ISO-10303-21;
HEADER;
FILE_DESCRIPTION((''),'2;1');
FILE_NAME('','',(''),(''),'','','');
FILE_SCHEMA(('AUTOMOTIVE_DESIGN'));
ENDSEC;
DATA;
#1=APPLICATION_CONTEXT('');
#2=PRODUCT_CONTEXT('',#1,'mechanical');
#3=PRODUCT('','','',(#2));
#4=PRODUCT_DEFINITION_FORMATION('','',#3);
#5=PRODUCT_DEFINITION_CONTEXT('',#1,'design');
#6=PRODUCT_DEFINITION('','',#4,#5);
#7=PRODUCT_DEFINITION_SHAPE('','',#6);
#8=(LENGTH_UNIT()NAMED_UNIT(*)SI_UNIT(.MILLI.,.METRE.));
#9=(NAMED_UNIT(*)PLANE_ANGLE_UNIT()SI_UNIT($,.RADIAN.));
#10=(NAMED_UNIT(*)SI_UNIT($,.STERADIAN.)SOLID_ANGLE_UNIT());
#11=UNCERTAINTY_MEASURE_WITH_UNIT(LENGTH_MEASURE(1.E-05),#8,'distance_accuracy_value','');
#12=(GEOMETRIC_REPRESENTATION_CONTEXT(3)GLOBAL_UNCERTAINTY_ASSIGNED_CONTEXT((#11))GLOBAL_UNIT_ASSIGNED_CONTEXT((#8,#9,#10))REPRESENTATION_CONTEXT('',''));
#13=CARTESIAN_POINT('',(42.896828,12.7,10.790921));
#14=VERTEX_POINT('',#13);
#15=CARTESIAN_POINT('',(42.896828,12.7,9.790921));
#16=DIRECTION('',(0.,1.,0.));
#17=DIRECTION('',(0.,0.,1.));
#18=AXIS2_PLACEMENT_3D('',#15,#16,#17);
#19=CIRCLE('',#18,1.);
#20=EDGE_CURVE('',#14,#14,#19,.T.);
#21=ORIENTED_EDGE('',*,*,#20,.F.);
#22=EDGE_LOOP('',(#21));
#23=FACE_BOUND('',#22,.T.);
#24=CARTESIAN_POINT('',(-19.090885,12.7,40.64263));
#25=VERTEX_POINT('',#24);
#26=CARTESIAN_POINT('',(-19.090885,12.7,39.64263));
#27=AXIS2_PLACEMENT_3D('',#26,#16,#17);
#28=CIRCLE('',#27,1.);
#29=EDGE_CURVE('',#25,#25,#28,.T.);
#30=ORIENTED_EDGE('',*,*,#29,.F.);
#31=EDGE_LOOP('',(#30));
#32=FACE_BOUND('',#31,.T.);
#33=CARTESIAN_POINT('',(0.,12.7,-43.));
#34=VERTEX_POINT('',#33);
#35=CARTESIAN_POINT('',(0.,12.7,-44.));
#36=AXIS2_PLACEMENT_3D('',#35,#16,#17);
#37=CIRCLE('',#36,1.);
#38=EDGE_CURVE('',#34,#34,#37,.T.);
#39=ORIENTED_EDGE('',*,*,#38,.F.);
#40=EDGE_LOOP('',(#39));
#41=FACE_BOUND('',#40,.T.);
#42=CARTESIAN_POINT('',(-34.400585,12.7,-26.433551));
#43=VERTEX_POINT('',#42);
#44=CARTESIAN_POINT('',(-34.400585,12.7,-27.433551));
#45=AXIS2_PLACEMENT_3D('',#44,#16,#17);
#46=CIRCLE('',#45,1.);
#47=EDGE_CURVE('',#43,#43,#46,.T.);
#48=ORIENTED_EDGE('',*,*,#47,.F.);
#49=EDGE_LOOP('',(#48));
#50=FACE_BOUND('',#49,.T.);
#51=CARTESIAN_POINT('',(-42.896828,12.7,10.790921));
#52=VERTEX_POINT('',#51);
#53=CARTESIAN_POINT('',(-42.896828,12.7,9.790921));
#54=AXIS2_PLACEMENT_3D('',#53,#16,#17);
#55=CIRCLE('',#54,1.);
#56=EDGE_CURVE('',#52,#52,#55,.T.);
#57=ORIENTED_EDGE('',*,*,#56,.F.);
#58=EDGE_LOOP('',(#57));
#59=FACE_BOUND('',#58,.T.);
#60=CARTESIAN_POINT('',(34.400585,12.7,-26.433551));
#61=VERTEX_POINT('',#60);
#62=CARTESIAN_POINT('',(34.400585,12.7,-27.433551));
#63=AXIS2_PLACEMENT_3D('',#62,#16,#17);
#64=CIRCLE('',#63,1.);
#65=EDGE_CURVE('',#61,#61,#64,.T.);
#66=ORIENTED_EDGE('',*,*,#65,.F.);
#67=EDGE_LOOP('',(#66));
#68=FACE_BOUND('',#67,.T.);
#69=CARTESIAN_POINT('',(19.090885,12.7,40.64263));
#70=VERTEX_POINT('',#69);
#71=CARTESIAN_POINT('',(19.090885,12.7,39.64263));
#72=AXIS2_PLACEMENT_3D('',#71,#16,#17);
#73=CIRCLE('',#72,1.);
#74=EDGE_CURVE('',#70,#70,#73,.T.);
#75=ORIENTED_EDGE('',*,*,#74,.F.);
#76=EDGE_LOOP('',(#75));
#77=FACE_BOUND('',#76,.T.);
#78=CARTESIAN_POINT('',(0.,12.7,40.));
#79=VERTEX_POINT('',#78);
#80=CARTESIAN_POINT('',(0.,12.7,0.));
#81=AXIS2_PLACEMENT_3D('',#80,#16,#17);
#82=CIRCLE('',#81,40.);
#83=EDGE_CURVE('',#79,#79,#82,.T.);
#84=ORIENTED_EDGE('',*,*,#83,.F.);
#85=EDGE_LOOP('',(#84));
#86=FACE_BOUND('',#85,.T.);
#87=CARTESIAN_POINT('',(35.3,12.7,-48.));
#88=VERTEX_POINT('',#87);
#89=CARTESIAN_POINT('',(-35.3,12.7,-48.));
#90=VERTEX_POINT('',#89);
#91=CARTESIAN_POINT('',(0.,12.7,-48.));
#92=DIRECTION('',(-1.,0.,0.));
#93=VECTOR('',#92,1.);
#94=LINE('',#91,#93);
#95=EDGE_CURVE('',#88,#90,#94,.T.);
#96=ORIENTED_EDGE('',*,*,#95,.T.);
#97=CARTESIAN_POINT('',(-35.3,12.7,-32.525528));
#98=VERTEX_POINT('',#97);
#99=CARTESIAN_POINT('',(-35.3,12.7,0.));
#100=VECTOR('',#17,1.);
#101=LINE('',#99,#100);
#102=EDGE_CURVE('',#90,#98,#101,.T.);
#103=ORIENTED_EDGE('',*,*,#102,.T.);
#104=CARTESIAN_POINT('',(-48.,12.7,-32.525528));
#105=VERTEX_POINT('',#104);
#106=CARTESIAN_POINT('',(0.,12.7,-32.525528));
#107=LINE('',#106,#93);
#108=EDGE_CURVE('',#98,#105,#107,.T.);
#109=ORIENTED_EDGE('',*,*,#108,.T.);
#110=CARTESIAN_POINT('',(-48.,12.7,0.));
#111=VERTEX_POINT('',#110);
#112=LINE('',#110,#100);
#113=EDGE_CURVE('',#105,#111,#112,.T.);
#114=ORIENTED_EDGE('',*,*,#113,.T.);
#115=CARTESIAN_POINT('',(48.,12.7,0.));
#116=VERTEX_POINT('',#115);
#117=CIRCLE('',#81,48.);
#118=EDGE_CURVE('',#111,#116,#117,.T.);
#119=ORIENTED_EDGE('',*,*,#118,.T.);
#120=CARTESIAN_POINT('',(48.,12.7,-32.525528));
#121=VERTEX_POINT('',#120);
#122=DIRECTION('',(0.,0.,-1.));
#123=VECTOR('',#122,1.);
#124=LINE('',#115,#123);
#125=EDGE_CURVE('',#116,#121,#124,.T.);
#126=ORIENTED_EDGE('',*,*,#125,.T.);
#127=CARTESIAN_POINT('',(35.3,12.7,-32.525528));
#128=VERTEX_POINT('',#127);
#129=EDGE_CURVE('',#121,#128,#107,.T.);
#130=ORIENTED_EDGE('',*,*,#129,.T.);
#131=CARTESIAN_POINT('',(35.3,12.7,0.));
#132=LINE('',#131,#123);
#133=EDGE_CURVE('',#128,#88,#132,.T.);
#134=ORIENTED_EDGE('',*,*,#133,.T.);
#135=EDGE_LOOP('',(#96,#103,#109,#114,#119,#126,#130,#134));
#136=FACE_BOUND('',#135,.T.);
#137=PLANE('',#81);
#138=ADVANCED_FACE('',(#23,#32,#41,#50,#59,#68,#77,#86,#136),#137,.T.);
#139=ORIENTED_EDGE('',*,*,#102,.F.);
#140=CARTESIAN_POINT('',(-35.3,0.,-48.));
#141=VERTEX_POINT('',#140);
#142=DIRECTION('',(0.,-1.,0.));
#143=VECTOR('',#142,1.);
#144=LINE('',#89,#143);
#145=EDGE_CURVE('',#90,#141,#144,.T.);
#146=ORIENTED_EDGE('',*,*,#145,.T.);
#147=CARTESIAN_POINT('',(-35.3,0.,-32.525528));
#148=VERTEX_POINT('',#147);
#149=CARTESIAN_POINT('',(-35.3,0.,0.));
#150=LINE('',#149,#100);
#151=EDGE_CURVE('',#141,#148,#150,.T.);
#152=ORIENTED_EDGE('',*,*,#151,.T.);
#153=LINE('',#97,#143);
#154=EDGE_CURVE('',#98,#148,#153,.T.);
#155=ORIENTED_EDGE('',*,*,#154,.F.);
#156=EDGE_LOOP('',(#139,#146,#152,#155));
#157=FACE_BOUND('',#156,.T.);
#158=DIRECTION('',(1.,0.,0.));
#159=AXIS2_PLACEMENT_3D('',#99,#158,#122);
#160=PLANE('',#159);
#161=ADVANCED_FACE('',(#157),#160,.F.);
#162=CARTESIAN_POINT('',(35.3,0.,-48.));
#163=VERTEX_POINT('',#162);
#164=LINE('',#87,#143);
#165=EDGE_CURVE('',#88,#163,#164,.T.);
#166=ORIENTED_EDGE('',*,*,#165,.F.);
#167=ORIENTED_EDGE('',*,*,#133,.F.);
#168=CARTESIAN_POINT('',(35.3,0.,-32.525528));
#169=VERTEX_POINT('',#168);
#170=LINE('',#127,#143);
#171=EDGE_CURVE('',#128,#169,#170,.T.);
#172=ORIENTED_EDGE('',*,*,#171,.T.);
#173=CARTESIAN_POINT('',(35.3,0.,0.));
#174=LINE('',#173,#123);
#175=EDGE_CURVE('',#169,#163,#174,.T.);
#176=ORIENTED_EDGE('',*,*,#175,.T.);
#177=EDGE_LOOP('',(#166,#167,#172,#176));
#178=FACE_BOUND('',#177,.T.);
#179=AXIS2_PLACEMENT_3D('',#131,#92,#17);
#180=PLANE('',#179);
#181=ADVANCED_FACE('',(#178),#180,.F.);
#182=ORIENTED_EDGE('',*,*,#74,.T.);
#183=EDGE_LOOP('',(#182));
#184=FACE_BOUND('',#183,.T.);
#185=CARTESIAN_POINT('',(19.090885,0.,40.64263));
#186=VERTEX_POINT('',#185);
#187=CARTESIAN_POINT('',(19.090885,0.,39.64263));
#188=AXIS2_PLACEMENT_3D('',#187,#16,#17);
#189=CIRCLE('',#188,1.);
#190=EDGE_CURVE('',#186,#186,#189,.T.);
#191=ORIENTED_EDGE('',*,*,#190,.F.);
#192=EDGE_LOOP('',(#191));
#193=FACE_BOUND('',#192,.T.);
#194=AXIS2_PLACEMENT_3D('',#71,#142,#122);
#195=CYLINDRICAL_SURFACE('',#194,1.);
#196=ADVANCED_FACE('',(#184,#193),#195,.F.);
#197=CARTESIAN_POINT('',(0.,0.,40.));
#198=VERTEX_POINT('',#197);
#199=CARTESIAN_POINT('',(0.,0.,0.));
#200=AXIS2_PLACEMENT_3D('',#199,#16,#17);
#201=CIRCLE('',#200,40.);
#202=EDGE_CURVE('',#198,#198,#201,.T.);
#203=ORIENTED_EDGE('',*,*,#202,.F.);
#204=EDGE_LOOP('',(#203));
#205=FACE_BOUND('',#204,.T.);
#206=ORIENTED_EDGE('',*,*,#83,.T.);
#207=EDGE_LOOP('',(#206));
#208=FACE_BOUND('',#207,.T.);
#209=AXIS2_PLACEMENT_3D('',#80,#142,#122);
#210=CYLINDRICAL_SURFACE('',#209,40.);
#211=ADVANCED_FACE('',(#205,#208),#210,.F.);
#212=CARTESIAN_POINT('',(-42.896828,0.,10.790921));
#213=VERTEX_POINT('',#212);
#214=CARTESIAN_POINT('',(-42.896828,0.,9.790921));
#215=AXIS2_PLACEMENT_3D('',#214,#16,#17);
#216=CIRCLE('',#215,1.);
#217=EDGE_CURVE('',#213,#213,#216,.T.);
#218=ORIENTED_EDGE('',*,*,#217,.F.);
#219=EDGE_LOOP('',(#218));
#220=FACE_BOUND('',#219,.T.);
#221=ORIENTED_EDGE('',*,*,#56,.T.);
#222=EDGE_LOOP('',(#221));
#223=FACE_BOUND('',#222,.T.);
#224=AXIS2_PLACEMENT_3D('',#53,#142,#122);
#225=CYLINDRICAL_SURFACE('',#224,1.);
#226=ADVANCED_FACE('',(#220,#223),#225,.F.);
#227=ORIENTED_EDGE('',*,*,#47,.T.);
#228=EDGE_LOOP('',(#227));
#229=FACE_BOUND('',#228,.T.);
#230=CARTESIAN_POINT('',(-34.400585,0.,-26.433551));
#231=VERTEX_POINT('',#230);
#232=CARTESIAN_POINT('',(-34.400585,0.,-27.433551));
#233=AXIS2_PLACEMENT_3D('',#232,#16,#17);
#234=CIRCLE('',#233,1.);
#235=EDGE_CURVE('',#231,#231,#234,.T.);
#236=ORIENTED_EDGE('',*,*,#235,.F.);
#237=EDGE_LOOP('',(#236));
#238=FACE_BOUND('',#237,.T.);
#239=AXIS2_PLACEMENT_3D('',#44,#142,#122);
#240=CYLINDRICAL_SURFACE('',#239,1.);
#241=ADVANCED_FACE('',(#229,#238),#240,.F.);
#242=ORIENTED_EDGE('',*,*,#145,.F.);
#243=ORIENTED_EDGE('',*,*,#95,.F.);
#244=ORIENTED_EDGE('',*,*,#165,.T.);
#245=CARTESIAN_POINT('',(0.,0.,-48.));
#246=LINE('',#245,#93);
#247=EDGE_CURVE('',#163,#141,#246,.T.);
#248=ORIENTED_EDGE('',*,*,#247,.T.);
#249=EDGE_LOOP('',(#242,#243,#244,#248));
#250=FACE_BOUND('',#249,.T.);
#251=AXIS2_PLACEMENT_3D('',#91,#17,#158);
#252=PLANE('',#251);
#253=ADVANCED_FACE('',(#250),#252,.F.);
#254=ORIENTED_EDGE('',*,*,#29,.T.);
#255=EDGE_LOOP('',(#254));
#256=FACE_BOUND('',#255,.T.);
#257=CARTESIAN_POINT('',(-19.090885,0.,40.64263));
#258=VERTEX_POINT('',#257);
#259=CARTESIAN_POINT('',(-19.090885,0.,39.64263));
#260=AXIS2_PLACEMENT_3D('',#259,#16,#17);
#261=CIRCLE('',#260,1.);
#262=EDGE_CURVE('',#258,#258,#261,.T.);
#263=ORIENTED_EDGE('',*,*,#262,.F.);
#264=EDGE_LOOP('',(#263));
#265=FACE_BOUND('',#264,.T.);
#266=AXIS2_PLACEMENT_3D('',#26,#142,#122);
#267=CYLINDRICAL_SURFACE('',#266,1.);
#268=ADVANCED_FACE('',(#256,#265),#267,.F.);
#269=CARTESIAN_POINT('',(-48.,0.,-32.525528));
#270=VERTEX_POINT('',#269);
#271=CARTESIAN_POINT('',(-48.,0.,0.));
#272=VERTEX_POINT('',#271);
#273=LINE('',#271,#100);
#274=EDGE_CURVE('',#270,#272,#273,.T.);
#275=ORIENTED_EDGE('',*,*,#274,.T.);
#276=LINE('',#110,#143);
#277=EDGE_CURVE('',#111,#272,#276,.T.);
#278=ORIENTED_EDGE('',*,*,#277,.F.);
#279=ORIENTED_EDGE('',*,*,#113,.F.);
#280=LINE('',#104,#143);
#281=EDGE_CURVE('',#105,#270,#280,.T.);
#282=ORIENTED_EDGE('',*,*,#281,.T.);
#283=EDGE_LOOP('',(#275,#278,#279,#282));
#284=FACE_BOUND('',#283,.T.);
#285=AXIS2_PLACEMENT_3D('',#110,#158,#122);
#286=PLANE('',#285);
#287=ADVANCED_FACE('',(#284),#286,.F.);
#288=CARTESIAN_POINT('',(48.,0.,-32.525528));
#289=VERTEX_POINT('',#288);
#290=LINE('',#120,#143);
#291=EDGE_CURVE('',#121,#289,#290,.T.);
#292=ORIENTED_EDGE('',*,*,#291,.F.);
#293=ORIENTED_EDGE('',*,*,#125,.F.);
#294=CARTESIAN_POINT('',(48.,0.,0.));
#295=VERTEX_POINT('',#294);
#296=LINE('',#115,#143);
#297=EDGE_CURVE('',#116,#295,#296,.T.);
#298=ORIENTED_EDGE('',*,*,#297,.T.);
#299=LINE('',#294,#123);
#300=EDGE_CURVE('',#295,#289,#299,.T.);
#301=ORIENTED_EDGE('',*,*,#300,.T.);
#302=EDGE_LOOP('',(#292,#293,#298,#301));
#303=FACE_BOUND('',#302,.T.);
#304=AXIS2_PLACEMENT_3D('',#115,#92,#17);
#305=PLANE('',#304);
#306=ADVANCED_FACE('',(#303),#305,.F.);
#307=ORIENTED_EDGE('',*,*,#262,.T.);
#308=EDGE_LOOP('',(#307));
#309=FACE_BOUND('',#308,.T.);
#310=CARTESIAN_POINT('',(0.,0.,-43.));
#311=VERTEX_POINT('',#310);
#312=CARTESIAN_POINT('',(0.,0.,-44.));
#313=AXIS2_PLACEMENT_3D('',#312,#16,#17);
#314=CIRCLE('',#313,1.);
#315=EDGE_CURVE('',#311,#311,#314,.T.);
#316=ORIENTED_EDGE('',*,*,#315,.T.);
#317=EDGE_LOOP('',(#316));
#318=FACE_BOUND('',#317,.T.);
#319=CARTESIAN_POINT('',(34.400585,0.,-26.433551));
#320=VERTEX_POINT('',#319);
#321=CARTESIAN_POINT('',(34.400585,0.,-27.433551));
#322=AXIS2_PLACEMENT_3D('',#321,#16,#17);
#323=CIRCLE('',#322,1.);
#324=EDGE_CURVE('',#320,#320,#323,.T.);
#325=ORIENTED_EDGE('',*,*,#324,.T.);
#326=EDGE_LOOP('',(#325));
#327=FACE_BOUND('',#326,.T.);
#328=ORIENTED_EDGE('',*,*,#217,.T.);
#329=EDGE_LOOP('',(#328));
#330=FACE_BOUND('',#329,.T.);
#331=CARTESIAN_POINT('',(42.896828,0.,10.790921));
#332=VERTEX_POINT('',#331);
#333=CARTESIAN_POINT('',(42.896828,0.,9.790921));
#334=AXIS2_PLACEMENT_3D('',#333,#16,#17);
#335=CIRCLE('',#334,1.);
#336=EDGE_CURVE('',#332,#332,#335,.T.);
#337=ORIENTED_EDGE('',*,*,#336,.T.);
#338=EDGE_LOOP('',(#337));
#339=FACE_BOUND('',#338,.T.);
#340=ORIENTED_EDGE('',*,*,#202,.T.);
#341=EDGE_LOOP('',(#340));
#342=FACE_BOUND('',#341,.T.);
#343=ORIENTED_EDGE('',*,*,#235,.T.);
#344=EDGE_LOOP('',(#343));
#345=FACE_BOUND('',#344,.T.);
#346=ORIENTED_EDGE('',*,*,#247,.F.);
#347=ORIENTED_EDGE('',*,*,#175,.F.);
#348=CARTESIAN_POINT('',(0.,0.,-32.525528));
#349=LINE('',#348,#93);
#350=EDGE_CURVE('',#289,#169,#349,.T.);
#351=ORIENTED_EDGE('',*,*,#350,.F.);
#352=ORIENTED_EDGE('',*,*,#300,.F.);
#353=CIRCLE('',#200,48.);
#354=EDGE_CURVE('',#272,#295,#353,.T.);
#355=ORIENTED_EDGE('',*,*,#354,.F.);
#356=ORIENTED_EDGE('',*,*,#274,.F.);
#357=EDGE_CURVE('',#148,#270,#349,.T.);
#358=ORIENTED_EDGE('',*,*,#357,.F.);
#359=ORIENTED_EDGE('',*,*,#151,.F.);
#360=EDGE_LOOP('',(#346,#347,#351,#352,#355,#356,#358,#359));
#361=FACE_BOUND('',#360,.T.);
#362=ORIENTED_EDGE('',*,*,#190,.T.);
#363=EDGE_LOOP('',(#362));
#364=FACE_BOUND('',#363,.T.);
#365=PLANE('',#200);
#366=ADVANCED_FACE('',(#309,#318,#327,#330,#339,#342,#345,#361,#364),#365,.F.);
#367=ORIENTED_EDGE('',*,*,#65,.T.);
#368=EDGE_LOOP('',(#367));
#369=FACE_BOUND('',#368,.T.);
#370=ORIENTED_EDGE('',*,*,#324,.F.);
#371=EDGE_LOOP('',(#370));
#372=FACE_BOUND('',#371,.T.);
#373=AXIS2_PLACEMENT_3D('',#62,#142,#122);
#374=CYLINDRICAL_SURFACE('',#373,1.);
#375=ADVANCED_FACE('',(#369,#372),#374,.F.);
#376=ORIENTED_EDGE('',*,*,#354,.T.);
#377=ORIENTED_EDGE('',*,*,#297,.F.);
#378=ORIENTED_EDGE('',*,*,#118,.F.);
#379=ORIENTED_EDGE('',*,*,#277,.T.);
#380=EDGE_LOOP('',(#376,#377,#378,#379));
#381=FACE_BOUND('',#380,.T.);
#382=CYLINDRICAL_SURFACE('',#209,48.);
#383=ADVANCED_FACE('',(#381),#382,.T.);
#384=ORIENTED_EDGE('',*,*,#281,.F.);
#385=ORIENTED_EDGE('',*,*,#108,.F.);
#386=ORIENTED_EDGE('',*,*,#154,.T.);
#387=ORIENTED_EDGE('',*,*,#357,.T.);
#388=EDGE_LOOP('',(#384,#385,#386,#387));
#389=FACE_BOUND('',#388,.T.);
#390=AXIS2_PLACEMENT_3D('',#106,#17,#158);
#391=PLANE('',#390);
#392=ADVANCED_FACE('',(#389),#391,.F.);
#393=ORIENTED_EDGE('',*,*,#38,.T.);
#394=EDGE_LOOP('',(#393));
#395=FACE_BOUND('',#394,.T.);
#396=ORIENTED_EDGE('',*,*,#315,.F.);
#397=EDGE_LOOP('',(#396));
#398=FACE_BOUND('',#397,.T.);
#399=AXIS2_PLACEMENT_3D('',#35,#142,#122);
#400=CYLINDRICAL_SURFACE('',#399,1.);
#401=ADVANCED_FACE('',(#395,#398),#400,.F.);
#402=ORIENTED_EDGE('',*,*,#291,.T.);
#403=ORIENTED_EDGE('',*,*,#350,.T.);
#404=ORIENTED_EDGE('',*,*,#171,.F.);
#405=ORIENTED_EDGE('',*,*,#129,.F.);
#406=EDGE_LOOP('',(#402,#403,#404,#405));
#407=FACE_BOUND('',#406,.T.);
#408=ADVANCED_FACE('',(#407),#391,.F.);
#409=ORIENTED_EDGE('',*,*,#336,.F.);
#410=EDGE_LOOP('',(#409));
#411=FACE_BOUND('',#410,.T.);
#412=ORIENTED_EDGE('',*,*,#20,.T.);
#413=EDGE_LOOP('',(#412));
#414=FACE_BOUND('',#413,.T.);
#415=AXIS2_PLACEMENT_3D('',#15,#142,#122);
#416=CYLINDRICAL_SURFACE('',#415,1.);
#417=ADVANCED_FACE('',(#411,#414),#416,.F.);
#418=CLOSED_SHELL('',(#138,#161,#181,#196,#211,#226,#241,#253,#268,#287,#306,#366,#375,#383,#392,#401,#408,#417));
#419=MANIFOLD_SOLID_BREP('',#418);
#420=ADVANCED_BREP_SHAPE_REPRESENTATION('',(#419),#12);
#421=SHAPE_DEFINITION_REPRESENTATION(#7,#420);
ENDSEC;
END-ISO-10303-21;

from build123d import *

# Parameters (mm, degrees)
SKETCH1_R           = 40
SKETCH1_R_2         = 1
BOSS_EXTRUDE1_DEPTH = 12.7


with BuildPart() as part:
    # Sketch1 → Boss-Extrude1 (new body)
    with BuildSketch(Plane(origin=(0, 0, 0), x_dir=(1, 0, 0), z_dir=(0, 1, 0))):
        with BuildLine():
            Line((-35.3, 48), (-35.3, 32.525528435))
            Line((-35.3, 32.525528435), (-48, 32.525528435))
            Line((-48, 32.525528435), (-48, 0))
            ThreePointArc((-48, 0), (0, -48), (48, 0))
            Line((48, 0), (48, 32.525528435))
            Line((48, 32.525528435), (35.3, 32.525528435))
            Line((35.3, 32.525528435), (35.3, 48))
            Line((35.3, 48), (-35.3, 48))
        make_face()
        Circle(SKETCH1_R, mode=Mode.SUBTRACT)
        with Locations((34.400585229, 27.433551282)):
            Circle(SKETCH1_R_2, mode=Mode.SUBTRACT)
        with Locations((-34.400585229, 27.433551282)):
            Circle(SKETCH1_R_2, mode=Mode.SUBTRACT)
        with Locations((0, 44)):
            Circle(SKETCH1_R_2, mode=Mode.SUBTRACT)
        with Locations((19.090884521, -39.642630188)):
            Circle(SKETCH1_R_2, mode=Mode.SUBTRACT)
        with Locations((42.896828136, -9.790921094)):
            Circle(SKETCH1_R_2, mode=Mode.SUBTRACT)
        with Locations((-19.090884521, -39.642630188)):
            Circle(SKETCH1_R_2, mode=Mode.SUBTRACT)
        with Locations((-42.896828136, -9.790921094)):
            Circle(SKETCH1_R_2, mode=Mode.SUBTRACT)
    extrude(amount=BOSS_EXTRUDE1_DEPTH)


solid = part.part
